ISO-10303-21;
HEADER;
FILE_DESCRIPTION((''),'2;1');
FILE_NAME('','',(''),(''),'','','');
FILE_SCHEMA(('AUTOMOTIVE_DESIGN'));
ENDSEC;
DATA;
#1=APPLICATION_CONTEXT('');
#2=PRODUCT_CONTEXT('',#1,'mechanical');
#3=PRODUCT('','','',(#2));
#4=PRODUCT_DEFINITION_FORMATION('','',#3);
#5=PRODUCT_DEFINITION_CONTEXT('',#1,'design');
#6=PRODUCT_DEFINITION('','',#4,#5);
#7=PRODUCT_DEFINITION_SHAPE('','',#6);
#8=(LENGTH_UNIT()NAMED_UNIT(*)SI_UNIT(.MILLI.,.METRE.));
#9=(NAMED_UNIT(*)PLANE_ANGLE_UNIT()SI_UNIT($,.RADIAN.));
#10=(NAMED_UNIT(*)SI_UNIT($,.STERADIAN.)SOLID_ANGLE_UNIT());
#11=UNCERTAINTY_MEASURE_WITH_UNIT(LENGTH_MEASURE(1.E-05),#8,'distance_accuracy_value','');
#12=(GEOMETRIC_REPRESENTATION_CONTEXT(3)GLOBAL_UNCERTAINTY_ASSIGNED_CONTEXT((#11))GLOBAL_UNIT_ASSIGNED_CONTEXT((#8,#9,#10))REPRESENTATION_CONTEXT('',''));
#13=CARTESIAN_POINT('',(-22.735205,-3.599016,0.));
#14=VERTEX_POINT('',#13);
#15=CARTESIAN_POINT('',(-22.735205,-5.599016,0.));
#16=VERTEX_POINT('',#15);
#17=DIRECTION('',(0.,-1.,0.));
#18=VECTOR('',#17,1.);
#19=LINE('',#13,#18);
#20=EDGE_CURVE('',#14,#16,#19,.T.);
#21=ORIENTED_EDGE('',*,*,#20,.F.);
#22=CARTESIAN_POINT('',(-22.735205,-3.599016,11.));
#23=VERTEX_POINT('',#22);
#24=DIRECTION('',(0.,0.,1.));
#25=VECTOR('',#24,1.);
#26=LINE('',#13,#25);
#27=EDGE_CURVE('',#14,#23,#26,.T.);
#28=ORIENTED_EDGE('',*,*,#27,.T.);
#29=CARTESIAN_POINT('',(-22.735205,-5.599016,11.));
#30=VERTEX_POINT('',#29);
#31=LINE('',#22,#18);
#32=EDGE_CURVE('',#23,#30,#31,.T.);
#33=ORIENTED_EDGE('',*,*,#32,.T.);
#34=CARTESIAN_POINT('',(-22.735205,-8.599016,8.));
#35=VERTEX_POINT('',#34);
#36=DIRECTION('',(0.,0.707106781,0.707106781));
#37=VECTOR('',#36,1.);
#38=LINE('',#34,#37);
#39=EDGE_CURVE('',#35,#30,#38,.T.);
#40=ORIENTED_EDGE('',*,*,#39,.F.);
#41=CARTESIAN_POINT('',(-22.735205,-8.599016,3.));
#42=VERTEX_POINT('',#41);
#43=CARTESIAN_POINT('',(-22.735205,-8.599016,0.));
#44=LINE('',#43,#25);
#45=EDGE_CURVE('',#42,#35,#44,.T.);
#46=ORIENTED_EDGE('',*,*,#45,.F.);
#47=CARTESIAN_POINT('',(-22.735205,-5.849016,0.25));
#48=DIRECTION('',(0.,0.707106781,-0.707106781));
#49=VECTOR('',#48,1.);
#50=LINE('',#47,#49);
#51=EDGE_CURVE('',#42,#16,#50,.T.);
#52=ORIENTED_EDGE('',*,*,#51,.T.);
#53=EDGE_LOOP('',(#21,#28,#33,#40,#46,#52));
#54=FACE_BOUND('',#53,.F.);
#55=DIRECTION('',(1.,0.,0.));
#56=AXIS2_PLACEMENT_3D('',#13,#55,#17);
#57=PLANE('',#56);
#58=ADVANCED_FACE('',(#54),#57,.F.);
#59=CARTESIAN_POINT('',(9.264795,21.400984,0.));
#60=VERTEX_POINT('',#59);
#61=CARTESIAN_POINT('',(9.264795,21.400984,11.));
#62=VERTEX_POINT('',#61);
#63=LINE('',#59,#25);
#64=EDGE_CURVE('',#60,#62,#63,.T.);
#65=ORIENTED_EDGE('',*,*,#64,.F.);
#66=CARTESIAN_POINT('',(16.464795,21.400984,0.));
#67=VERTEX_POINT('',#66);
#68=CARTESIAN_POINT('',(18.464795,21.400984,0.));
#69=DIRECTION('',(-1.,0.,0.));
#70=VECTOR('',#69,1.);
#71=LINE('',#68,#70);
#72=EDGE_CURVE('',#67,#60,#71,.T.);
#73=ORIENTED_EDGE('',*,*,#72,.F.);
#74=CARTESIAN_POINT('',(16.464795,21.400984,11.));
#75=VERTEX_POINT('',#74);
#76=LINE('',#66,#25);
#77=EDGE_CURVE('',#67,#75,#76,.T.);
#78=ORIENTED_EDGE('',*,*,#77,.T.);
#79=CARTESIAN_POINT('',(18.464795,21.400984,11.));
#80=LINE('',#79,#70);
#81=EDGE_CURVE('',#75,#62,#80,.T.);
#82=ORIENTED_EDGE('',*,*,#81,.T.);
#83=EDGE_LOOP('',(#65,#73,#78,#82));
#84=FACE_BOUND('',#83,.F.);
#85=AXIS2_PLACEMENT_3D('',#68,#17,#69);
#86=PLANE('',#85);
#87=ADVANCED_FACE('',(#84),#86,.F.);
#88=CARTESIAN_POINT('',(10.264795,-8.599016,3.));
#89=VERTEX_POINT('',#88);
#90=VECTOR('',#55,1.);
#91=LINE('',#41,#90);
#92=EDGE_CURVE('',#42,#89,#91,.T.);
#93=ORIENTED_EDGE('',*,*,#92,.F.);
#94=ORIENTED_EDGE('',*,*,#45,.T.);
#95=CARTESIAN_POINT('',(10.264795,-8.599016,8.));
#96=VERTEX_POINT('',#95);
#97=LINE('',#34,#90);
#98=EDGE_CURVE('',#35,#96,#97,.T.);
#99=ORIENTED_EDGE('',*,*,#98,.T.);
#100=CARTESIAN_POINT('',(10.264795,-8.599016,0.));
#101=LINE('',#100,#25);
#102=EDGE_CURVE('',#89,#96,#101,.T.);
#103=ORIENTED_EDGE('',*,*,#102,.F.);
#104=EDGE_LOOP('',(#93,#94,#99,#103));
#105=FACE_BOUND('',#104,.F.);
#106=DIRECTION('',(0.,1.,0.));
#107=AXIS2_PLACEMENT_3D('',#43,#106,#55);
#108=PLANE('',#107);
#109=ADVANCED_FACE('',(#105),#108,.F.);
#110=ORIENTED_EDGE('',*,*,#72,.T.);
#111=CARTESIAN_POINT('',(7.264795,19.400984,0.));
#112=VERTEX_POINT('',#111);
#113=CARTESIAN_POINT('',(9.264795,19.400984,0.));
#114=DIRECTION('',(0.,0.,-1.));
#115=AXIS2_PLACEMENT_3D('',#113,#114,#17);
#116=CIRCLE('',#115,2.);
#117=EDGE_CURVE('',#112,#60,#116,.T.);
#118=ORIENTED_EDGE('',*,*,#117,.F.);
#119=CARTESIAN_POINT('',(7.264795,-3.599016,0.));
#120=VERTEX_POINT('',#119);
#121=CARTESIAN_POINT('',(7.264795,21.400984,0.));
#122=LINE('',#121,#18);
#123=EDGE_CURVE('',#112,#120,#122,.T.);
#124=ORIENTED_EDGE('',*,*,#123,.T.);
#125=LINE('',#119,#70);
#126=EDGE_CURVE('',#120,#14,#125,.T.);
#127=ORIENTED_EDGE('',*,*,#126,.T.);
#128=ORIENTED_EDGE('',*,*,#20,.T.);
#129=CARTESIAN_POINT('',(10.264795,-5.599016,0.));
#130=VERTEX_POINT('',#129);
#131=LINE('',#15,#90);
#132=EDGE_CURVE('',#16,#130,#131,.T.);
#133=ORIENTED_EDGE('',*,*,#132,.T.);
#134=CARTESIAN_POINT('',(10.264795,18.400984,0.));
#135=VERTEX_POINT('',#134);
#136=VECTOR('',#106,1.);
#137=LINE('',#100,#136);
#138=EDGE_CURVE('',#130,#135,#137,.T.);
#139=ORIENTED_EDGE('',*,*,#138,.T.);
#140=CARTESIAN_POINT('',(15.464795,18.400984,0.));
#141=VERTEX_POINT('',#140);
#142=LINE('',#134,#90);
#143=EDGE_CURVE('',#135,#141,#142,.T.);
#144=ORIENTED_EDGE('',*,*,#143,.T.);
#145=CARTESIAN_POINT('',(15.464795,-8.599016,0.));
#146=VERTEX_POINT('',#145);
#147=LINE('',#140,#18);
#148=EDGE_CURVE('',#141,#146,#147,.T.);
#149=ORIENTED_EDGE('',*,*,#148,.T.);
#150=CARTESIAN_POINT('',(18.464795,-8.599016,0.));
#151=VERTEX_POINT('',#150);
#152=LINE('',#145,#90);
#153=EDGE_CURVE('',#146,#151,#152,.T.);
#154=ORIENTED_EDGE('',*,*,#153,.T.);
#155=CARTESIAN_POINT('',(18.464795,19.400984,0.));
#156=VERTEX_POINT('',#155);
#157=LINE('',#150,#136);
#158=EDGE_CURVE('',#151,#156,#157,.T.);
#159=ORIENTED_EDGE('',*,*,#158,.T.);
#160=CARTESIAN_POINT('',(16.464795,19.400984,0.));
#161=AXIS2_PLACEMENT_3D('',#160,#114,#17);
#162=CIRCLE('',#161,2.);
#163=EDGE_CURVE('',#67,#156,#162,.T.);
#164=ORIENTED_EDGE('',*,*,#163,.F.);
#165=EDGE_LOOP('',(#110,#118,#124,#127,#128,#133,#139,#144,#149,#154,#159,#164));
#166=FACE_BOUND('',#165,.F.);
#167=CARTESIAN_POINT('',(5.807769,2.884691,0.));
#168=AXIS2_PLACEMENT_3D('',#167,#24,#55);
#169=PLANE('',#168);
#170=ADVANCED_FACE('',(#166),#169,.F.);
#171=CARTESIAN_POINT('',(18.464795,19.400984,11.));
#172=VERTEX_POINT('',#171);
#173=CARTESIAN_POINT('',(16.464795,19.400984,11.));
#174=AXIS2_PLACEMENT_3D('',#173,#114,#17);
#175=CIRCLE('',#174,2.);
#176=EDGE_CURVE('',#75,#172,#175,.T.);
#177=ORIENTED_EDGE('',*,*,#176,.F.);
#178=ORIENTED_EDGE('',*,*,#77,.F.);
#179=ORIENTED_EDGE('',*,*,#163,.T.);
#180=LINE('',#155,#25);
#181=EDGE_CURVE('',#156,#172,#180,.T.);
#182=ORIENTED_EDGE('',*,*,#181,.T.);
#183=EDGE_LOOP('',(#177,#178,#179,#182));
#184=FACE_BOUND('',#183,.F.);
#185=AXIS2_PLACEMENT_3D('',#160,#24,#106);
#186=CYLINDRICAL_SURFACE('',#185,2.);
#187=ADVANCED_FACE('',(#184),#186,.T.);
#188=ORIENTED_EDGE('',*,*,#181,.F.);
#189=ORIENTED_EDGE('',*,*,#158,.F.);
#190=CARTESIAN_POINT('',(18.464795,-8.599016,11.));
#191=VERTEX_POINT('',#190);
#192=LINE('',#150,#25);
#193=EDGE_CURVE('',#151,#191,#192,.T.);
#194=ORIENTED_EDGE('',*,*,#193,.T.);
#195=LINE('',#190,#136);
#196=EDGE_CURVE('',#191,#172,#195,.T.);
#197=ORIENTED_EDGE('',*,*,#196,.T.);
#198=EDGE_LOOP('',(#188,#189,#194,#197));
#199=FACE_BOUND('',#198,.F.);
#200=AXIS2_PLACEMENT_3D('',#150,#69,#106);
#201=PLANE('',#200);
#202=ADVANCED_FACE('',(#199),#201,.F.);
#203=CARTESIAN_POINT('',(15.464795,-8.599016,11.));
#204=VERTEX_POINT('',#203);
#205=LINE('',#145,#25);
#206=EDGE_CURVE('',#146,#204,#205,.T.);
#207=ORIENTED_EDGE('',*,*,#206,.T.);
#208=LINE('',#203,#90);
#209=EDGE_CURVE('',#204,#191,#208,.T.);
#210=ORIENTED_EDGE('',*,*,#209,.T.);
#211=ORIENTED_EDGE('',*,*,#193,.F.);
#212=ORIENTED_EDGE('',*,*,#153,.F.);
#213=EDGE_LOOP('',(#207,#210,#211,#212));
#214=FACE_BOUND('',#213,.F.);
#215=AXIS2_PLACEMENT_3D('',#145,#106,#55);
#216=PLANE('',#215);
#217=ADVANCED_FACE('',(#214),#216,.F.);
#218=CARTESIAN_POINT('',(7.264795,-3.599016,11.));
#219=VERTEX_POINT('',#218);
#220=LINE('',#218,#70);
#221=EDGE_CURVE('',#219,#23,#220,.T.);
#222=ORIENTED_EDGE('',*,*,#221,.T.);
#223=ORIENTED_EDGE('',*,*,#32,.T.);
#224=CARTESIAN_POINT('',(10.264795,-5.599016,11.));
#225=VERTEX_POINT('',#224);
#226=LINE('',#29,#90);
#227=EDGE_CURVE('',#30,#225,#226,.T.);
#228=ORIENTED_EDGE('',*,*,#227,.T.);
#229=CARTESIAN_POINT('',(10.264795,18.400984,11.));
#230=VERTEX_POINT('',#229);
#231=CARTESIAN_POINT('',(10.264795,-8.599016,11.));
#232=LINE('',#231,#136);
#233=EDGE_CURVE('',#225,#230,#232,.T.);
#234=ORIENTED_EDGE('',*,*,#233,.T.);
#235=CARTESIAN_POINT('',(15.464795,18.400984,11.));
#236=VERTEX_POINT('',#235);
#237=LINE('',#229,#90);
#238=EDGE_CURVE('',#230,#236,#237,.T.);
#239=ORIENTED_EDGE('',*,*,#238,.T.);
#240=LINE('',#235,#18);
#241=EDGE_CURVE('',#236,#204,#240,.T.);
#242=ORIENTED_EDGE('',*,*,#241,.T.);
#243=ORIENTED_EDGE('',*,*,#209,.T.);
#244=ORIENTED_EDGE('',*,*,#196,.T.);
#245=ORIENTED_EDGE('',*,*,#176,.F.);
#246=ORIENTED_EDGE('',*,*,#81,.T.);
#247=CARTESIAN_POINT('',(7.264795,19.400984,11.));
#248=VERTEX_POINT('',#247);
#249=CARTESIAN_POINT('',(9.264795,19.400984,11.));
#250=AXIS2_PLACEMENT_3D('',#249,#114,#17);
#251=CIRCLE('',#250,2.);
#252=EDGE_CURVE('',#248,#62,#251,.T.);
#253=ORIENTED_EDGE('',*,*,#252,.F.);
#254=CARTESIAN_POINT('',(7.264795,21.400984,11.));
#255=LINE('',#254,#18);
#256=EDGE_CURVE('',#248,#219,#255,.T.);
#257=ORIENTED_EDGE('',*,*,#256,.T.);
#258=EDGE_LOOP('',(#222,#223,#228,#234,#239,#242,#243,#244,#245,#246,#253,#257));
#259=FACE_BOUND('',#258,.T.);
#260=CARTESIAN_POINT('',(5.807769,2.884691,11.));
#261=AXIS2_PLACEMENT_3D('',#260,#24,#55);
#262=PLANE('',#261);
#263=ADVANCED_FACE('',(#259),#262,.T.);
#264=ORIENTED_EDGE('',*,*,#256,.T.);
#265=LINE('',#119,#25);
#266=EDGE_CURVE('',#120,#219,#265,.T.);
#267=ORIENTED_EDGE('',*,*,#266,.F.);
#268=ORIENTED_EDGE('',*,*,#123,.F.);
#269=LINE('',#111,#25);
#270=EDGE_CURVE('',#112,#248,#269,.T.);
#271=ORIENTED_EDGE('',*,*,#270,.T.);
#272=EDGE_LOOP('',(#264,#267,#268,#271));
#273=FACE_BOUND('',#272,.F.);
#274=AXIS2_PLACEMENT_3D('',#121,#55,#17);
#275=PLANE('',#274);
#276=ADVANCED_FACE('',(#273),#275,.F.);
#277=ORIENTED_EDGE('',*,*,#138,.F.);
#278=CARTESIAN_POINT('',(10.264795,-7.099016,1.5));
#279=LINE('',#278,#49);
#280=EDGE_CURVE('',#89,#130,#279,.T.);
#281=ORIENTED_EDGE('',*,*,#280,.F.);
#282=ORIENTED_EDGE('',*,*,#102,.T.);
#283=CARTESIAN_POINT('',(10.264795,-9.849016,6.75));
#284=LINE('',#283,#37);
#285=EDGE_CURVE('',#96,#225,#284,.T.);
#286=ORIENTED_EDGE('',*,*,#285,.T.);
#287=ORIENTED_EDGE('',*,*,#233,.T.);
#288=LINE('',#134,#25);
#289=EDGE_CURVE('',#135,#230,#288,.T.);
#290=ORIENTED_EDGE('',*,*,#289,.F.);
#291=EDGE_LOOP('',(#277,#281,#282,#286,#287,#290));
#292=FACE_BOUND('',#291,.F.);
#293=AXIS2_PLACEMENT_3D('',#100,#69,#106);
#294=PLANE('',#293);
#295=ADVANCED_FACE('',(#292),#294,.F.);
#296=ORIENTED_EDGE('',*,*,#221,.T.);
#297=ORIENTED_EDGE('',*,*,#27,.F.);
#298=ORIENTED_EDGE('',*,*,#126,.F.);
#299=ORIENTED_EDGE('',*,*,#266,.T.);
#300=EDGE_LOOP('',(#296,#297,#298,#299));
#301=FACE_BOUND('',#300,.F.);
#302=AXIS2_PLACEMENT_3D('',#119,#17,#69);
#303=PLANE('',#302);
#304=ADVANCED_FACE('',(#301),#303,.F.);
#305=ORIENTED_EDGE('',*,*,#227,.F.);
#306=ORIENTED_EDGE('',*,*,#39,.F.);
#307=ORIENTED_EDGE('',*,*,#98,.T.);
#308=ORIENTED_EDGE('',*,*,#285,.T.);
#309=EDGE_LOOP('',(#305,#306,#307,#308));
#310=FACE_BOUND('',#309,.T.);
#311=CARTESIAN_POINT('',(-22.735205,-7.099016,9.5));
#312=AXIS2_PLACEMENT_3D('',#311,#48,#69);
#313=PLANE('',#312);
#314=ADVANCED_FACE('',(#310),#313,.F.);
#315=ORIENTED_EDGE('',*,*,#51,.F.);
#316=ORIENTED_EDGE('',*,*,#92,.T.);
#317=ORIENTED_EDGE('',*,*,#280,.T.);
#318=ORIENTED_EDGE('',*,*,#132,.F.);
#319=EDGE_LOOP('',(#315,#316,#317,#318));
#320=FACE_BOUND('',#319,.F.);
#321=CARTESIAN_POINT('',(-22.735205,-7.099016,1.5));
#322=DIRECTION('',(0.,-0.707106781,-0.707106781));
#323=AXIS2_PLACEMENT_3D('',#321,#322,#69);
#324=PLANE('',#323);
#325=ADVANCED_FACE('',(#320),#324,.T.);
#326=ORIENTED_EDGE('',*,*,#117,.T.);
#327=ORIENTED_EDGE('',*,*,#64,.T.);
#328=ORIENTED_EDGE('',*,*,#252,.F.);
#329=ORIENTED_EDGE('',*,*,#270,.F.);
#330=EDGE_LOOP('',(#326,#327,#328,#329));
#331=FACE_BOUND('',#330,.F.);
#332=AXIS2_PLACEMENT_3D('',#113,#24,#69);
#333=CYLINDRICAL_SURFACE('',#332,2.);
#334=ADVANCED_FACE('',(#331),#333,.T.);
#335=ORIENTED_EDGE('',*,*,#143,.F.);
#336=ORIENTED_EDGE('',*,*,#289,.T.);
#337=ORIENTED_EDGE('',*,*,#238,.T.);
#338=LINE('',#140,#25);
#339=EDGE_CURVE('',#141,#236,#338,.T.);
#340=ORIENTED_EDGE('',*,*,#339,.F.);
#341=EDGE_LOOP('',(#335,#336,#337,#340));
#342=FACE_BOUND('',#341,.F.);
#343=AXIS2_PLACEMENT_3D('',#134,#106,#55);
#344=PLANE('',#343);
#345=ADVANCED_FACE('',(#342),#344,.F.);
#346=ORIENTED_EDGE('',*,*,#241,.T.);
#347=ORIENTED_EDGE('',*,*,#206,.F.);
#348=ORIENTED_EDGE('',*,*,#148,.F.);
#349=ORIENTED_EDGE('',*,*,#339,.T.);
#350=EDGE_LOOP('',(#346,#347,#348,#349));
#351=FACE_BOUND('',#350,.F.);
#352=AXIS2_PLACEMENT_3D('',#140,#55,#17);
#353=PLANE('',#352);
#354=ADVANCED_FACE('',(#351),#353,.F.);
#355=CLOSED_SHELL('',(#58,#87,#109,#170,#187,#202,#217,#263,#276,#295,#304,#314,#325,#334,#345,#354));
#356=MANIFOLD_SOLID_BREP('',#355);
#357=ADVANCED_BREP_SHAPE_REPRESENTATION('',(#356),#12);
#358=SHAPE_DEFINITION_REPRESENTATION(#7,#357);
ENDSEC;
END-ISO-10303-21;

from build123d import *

# Parameters (mm, degrees)
PAD_DEPTH    = 11
CHAMFER_SIZE = 3
FILLET_R     = 2


with BuildPart() as part:
    # Sketch → Pad (new body)
    with BuildSketch(Plane.XY):
        Polygon((-22.735205, -3.599016), (-22.735205, -8.599016), (10.264795, -8.599016), (10.264795, 18.400984), (15.464795, 18.400984), (15.464795, -8.599016), (18.464795, -8.599016), (18.464795, 21.400984), (7.264795, 21.400984), (7.264795, -3.599016), align=None)
    extrude(amount=PAD_DEPTH)

    # Chamfer
    chamfer_edges = [part.edges().sort_by_distance(p)[0] for p in [
        (-6.235205, -8.599016, 0),
        (-6.235205, -8.599016, 11),
    ]]
    chamfer(chamfer_edges, length=CHAMFER_SIZE)

    # Fillet
    fillet_edges = [part.edges().sort_by_distance(p)[0] for p in [
        (18.464795, 21.400984, 5.5),
        (7.264795, 21.400984, 5.5),
    ]]
    fillet(fillet_edges, radius=FILLET_R)


solid = part.part
